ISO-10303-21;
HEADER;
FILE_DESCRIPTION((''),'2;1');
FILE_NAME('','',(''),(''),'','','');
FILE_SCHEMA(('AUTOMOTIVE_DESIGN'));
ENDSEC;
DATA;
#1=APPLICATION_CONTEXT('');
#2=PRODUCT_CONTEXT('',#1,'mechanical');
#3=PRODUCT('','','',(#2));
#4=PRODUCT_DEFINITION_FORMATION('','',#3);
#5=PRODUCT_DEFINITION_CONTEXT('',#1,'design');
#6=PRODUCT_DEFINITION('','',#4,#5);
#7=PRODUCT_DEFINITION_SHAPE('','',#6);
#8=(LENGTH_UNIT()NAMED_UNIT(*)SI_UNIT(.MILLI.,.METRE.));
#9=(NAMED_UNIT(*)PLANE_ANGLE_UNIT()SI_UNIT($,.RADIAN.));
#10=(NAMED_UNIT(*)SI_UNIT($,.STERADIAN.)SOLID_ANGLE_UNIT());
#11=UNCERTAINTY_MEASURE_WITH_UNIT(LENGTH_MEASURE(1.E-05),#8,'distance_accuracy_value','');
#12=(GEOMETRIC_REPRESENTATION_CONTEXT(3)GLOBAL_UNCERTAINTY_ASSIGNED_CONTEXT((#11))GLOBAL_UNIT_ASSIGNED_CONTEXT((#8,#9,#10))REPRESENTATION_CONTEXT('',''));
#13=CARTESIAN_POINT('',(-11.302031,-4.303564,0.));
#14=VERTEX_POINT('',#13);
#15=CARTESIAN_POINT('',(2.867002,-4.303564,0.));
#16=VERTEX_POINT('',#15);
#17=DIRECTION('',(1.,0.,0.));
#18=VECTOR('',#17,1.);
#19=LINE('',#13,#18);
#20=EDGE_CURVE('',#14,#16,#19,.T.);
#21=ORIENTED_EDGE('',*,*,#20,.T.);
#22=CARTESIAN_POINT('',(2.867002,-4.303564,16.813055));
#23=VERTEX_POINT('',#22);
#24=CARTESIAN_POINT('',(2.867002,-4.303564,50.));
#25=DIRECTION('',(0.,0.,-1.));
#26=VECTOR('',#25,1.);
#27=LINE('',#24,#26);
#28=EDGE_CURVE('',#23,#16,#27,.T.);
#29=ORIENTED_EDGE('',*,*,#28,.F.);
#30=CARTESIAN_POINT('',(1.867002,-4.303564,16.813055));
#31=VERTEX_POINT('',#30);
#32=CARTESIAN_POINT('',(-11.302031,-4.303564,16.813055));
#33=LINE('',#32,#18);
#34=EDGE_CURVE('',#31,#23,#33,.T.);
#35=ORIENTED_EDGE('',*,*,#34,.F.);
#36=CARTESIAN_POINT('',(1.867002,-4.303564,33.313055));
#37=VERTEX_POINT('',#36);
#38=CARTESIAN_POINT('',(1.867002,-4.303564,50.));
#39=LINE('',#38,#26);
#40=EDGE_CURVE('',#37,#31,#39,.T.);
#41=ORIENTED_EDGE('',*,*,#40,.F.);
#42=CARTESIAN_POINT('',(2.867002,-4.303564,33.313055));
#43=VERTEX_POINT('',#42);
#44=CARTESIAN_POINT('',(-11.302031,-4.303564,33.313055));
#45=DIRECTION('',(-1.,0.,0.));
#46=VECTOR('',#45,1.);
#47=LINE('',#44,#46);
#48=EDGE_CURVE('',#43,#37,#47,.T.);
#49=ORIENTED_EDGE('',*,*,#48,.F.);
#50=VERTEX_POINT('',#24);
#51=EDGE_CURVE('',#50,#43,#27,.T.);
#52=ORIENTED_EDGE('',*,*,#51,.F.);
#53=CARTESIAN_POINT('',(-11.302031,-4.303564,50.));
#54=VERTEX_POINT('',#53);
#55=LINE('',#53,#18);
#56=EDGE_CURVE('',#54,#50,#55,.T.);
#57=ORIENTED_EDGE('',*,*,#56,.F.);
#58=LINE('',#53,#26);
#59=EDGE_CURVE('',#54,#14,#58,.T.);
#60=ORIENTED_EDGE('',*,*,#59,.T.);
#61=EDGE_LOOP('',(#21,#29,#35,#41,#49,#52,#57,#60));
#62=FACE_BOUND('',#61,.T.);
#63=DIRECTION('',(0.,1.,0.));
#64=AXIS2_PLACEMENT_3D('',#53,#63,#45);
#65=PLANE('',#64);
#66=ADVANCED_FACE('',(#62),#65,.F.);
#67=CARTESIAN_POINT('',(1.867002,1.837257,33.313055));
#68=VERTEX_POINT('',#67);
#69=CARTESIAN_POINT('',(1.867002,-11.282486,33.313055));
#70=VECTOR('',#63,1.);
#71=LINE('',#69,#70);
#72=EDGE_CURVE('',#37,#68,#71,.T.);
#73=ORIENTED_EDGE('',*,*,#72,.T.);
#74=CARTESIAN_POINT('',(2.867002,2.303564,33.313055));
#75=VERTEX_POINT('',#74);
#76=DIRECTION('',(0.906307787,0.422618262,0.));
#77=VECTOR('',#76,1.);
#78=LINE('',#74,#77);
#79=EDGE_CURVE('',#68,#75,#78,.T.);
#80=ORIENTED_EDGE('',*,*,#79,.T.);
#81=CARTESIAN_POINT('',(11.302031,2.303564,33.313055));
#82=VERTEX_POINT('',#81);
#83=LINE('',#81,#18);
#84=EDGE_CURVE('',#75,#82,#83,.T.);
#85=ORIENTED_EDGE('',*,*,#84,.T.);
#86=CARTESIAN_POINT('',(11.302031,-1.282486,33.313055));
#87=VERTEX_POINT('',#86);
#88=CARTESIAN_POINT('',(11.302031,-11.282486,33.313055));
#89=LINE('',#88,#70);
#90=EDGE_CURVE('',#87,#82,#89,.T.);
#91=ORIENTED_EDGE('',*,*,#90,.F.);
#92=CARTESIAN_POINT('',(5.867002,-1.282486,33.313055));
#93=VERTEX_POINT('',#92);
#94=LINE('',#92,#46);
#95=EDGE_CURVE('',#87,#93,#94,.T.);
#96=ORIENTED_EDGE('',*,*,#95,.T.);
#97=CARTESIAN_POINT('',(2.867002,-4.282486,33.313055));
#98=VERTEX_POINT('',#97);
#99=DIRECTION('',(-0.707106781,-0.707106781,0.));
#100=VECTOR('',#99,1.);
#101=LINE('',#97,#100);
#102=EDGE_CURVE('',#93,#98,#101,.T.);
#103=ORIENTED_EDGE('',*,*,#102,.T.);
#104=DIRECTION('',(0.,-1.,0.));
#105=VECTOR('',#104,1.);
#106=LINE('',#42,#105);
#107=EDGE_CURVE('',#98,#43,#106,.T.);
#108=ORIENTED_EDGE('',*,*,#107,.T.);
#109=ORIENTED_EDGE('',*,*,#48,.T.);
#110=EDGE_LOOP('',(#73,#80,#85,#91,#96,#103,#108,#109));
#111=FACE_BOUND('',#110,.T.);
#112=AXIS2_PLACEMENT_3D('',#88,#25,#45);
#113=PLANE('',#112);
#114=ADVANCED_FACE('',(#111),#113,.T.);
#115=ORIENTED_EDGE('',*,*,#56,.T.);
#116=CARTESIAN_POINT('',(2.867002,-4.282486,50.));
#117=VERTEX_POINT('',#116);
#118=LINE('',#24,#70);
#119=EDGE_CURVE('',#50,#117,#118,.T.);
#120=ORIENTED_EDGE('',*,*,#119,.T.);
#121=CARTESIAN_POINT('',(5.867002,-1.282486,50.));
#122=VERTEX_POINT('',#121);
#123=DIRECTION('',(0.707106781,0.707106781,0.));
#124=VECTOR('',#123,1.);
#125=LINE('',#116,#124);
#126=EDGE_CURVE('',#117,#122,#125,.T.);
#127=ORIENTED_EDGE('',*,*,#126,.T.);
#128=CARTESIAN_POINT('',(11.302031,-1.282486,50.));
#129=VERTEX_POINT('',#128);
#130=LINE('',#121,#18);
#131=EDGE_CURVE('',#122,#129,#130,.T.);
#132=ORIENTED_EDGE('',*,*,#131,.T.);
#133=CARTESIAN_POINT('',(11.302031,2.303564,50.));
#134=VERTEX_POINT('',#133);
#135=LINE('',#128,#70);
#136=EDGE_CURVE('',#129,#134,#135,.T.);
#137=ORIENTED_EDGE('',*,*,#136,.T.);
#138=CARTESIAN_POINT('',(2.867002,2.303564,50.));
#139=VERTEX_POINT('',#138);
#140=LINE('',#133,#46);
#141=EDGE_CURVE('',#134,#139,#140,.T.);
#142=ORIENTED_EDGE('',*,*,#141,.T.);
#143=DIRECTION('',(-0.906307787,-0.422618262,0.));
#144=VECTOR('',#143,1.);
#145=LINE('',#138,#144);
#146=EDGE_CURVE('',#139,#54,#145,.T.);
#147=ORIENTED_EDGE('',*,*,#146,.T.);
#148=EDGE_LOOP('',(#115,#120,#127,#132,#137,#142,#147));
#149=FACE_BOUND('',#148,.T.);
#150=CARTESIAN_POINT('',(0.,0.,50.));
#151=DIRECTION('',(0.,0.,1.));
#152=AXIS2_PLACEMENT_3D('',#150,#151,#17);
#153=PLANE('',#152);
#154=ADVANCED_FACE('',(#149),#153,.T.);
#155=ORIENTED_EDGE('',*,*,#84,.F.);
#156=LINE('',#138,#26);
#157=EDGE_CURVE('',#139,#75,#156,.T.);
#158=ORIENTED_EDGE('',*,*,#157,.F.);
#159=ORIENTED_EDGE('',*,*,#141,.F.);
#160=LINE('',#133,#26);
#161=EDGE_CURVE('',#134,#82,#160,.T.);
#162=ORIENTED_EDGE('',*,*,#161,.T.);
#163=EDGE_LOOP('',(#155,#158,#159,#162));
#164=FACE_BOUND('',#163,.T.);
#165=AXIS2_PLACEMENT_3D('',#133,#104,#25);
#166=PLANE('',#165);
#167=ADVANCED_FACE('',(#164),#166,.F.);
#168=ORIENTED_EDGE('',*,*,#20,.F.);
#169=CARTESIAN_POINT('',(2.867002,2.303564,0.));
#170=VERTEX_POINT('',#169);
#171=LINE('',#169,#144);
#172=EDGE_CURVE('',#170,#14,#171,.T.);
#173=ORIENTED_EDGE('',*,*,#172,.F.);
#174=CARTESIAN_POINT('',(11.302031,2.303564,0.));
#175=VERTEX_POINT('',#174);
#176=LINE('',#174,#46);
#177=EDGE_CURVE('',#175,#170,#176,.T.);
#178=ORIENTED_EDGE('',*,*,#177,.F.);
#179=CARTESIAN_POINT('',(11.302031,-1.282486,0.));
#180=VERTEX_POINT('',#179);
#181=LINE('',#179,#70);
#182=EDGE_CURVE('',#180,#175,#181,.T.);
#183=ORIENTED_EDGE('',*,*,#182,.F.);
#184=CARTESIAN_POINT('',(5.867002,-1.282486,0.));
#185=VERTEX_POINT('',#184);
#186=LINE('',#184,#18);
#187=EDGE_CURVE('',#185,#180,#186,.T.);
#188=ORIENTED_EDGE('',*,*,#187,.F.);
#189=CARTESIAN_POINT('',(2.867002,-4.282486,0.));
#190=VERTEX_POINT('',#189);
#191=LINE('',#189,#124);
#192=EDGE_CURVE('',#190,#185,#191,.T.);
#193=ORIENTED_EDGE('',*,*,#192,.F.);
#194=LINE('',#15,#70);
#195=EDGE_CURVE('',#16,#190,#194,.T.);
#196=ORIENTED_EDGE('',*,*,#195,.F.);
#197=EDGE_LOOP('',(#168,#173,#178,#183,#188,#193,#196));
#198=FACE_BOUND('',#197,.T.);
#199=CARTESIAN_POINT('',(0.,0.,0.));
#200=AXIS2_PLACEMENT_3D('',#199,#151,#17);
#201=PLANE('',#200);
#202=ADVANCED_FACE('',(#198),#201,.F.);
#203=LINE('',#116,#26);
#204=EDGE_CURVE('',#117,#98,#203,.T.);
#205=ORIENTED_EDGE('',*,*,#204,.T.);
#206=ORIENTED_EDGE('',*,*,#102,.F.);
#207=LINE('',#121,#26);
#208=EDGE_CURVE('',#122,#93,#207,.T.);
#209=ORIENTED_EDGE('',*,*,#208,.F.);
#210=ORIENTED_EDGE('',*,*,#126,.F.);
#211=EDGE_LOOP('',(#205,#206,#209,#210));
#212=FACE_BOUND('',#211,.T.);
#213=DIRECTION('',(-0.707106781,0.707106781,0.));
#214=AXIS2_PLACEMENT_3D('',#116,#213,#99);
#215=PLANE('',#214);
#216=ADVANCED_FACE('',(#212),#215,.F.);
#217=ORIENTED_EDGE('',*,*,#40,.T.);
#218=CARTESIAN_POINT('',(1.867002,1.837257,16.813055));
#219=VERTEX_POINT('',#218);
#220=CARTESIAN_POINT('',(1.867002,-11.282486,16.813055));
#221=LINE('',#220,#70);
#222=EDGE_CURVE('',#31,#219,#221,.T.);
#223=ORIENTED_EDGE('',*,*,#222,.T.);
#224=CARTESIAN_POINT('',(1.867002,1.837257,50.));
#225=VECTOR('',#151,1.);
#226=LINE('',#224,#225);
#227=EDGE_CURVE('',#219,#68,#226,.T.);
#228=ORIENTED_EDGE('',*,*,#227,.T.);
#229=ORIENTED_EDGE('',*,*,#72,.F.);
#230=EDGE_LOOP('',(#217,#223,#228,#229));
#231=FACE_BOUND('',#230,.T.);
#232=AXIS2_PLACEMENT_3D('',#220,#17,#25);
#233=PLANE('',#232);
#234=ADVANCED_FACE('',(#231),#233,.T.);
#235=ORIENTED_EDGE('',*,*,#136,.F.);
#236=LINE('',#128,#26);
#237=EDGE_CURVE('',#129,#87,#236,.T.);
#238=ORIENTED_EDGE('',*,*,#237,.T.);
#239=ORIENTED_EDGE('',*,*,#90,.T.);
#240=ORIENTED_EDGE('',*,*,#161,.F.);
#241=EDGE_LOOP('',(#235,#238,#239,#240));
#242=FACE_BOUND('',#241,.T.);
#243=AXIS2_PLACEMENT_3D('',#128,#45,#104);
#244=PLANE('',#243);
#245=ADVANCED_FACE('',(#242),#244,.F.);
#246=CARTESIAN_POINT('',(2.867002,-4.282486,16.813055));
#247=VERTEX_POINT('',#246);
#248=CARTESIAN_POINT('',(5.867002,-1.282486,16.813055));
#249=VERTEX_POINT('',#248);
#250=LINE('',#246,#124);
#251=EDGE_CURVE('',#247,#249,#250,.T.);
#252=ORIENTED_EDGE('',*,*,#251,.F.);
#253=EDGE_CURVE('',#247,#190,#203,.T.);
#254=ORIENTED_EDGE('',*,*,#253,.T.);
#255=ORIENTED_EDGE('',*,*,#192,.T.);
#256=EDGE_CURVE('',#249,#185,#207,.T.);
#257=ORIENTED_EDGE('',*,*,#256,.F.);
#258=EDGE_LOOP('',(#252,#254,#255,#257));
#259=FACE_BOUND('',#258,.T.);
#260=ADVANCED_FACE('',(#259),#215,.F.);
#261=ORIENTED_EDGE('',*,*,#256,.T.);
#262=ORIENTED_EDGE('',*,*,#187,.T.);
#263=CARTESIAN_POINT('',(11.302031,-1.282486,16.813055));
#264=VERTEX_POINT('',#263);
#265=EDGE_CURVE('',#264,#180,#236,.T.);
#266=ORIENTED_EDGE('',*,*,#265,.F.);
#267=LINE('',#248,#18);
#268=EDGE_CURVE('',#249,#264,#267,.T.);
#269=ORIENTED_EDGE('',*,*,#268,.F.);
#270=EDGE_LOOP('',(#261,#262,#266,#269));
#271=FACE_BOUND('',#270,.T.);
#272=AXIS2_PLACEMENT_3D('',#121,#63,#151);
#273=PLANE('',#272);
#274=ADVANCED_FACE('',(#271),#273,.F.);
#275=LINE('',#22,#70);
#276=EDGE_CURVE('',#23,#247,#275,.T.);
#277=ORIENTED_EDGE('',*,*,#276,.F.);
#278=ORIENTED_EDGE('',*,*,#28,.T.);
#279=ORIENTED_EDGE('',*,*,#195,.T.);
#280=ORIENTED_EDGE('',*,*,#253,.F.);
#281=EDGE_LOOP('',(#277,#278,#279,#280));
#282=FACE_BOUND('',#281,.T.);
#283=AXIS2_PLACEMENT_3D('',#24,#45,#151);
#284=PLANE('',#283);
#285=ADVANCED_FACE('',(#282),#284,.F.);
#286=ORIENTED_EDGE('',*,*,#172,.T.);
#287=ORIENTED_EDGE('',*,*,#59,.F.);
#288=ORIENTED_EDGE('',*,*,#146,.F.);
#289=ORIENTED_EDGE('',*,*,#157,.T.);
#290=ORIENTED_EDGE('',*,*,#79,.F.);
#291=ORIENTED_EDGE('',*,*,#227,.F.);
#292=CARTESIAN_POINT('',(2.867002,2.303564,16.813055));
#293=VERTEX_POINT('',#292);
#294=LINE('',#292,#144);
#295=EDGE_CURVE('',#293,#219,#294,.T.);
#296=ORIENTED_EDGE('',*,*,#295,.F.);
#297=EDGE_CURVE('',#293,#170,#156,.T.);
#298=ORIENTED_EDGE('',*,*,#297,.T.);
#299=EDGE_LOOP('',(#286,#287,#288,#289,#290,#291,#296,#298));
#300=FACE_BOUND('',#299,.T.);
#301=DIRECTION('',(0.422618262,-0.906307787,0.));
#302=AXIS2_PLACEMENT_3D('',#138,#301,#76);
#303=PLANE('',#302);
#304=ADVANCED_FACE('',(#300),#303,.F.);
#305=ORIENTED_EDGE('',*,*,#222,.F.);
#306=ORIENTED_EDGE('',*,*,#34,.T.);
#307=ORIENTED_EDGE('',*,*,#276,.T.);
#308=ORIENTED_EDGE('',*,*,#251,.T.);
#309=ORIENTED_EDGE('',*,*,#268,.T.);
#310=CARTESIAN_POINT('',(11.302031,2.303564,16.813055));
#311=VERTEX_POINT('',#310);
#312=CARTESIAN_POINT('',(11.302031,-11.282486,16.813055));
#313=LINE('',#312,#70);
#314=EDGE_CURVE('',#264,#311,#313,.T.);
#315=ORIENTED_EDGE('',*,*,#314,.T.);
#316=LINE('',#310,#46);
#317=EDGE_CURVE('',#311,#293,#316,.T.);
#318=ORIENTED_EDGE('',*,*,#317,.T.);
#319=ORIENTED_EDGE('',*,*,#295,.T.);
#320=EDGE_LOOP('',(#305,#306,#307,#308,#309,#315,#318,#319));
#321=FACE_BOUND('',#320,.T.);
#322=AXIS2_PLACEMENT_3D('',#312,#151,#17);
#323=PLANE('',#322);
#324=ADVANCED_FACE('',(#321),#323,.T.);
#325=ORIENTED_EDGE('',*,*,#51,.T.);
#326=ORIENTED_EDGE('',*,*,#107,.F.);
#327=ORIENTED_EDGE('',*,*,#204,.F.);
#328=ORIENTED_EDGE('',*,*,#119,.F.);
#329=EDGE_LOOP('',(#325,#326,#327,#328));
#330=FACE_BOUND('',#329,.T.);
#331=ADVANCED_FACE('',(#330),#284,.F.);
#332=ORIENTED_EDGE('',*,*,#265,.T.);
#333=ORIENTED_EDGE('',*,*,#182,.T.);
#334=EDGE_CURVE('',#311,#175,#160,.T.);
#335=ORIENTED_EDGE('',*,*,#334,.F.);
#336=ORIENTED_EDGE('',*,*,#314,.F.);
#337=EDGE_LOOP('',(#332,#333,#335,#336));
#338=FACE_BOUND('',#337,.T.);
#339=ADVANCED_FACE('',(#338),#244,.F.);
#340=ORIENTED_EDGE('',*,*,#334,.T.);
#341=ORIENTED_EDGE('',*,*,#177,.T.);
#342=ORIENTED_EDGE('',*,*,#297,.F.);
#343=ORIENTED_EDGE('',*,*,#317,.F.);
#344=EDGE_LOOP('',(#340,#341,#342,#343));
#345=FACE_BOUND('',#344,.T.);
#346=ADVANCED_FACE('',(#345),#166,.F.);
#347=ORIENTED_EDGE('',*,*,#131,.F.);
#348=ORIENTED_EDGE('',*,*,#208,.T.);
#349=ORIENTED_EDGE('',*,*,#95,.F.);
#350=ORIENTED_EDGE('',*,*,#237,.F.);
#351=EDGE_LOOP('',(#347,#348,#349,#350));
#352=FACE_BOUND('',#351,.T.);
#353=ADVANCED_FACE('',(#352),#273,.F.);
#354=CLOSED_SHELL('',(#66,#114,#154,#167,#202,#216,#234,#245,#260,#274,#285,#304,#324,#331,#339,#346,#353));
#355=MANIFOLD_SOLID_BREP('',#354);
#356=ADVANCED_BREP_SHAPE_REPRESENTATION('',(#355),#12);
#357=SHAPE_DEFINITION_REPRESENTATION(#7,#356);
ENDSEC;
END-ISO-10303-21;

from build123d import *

# Parameters (mm, degrees)
EXTRUDE_1_DEPTH          = 50
CUT_EXTRUDE_1_DEPTH      = 10
CUT_EXTRUDE_1_DEPTH_BACK = 10
SKETCH_2_W               = 9.435028842
SKETCH_2_H               = 16.5


with BuildPart() as part:
    # Эскиз1 → Бобышка-Вытянуть1 (new body)
    with BuildSketch(Plane.XY):
        Polygon((2.867002202, -4.303564356), (2.867002202, -4.282485579), (5.867002202, -1.282485579), (11.302031044, -1.282485579), (11.302031044, 2.303564356), (2.867002202, 2.303564356), (-11.302031044, -4.303564356), align=None)
    extrude(amount=EXTRUDE_1_DEPTH)

    # Эскиз2 → Вырез-Вытянуть1 (cut, two sides: drawn at the far end of the back side and taken through both)
    with BuildSketch(Plane.XZ.offset(1.282485579).offset(-CUT_EXTRUDE_1_DEPTH_BACK)):
        with Locations((6.584516623, 25.063055317)):
            Rectangle(SKETCH_2_W, SKETCH_2_H)
    extrude(amount=CUT_EXTRUDE_1_DEPTH + CUT_EXTRUDE_1_DEPTH_BACK, mode=Mode.SUBTRACT)


solid = part.part
